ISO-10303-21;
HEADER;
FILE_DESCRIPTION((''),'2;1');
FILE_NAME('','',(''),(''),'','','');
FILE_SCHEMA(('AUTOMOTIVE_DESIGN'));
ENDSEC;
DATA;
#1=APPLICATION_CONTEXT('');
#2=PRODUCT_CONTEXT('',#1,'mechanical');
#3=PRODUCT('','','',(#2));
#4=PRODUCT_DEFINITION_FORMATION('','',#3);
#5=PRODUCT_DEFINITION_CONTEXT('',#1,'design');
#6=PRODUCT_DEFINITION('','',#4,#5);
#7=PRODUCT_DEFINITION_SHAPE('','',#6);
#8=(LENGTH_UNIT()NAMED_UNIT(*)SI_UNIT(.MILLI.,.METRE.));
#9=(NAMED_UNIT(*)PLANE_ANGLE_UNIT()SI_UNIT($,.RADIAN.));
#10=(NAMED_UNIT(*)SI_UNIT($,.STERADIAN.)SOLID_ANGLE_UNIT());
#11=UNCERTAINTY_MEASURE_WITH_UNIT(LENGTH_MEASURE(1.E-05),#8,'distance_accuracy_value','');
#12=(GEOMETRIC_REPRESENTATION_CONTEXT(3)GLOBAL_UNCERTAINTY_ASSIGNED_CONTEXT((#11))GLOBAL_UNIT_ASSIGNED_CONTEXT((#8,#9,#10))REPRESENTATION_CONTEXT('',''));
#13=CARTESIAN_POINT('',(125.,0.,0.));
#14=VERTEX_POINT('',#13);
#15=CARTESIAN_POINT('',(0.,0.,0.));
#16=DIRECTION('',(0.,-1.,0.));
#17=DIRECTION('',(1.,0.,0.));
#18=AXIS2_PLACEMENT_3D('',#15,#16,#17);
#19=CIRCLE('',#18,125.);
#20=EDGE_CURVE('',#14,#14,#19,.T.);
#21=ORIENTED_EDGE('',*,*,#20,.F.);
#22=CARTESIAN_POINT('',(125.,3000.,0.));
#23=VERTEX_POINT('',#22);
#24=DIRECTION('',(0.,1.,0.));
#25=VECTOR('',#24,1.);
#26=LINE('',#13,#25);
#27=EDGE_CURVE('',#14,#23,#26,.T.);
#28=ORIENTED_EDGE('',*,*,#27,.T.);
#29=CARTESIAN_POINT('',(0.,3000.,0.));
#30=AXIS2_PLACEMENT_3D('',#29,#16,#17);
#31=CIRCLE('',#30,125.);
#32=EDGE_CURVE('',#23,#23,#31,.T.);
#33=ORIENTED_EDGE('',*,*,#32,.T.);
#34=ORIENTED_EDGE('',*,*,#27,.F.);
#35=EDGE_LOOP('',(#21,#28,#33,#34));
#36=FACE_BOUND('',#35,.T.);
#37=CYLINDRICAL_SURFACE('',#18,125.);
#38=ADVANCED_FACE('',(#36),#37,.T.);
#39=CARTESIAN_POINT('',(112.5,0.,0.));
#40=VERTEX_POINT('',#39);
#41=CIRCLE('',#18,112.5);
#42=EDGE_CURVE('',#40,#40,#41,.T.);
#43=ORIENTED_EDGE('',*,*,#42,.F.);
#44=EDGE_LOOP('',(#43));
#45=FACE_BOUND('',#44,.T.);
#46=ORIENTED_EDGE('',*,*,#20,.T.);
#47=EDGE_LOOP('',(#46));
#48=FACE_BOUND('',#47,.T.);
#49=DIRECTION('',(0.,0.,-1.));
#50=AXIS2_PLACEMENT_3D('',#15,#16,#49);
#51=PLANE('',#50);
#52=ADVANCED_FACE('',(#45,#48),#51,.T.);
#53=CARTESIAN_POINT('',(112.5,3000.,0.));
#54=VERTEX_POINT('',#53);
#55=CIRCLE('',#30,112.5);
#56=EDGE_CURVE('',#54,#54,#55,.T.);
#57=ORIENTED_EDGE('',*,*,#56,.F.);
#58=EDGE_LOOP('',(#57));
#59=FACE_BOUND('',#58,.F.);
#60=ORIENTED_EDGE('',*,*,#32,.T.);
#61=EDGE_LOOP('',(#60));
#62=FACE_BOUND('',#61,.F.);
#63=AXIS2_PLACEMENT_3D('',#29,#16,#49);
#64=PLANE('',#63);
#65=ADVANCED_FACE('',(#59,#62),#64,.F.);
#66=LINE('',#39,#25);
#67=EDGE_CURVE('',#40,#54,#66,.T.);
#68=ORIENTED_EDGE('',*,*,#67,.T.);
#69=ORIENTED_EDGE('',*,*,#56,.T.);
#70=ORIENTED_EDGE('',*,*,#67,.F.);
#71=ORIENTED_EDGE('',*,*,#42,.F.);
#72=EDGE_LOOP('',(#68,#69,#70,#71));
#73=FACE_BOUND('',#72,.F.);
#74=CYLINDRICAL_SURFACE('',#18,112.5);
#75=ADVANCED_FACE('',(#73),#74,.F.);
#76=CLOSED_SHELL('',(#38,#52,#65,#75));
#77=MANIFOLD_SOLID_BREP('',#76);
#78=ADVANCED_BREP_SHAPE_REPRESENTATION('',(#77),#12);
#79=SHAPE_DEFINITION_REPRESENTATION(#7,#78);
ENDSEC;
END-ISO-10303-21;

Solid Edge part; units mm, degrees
sketch "Sketch1" plane through (0, 0, 0) normal (0, -1, 0) x (1, 0, 0)
  circle A0 centre (0, 0) radius 112.5
  circle A1 centre (0, 0) radius 125
extrude "Protrusion1" add sketch "Sketch1" against normal blind 3000
